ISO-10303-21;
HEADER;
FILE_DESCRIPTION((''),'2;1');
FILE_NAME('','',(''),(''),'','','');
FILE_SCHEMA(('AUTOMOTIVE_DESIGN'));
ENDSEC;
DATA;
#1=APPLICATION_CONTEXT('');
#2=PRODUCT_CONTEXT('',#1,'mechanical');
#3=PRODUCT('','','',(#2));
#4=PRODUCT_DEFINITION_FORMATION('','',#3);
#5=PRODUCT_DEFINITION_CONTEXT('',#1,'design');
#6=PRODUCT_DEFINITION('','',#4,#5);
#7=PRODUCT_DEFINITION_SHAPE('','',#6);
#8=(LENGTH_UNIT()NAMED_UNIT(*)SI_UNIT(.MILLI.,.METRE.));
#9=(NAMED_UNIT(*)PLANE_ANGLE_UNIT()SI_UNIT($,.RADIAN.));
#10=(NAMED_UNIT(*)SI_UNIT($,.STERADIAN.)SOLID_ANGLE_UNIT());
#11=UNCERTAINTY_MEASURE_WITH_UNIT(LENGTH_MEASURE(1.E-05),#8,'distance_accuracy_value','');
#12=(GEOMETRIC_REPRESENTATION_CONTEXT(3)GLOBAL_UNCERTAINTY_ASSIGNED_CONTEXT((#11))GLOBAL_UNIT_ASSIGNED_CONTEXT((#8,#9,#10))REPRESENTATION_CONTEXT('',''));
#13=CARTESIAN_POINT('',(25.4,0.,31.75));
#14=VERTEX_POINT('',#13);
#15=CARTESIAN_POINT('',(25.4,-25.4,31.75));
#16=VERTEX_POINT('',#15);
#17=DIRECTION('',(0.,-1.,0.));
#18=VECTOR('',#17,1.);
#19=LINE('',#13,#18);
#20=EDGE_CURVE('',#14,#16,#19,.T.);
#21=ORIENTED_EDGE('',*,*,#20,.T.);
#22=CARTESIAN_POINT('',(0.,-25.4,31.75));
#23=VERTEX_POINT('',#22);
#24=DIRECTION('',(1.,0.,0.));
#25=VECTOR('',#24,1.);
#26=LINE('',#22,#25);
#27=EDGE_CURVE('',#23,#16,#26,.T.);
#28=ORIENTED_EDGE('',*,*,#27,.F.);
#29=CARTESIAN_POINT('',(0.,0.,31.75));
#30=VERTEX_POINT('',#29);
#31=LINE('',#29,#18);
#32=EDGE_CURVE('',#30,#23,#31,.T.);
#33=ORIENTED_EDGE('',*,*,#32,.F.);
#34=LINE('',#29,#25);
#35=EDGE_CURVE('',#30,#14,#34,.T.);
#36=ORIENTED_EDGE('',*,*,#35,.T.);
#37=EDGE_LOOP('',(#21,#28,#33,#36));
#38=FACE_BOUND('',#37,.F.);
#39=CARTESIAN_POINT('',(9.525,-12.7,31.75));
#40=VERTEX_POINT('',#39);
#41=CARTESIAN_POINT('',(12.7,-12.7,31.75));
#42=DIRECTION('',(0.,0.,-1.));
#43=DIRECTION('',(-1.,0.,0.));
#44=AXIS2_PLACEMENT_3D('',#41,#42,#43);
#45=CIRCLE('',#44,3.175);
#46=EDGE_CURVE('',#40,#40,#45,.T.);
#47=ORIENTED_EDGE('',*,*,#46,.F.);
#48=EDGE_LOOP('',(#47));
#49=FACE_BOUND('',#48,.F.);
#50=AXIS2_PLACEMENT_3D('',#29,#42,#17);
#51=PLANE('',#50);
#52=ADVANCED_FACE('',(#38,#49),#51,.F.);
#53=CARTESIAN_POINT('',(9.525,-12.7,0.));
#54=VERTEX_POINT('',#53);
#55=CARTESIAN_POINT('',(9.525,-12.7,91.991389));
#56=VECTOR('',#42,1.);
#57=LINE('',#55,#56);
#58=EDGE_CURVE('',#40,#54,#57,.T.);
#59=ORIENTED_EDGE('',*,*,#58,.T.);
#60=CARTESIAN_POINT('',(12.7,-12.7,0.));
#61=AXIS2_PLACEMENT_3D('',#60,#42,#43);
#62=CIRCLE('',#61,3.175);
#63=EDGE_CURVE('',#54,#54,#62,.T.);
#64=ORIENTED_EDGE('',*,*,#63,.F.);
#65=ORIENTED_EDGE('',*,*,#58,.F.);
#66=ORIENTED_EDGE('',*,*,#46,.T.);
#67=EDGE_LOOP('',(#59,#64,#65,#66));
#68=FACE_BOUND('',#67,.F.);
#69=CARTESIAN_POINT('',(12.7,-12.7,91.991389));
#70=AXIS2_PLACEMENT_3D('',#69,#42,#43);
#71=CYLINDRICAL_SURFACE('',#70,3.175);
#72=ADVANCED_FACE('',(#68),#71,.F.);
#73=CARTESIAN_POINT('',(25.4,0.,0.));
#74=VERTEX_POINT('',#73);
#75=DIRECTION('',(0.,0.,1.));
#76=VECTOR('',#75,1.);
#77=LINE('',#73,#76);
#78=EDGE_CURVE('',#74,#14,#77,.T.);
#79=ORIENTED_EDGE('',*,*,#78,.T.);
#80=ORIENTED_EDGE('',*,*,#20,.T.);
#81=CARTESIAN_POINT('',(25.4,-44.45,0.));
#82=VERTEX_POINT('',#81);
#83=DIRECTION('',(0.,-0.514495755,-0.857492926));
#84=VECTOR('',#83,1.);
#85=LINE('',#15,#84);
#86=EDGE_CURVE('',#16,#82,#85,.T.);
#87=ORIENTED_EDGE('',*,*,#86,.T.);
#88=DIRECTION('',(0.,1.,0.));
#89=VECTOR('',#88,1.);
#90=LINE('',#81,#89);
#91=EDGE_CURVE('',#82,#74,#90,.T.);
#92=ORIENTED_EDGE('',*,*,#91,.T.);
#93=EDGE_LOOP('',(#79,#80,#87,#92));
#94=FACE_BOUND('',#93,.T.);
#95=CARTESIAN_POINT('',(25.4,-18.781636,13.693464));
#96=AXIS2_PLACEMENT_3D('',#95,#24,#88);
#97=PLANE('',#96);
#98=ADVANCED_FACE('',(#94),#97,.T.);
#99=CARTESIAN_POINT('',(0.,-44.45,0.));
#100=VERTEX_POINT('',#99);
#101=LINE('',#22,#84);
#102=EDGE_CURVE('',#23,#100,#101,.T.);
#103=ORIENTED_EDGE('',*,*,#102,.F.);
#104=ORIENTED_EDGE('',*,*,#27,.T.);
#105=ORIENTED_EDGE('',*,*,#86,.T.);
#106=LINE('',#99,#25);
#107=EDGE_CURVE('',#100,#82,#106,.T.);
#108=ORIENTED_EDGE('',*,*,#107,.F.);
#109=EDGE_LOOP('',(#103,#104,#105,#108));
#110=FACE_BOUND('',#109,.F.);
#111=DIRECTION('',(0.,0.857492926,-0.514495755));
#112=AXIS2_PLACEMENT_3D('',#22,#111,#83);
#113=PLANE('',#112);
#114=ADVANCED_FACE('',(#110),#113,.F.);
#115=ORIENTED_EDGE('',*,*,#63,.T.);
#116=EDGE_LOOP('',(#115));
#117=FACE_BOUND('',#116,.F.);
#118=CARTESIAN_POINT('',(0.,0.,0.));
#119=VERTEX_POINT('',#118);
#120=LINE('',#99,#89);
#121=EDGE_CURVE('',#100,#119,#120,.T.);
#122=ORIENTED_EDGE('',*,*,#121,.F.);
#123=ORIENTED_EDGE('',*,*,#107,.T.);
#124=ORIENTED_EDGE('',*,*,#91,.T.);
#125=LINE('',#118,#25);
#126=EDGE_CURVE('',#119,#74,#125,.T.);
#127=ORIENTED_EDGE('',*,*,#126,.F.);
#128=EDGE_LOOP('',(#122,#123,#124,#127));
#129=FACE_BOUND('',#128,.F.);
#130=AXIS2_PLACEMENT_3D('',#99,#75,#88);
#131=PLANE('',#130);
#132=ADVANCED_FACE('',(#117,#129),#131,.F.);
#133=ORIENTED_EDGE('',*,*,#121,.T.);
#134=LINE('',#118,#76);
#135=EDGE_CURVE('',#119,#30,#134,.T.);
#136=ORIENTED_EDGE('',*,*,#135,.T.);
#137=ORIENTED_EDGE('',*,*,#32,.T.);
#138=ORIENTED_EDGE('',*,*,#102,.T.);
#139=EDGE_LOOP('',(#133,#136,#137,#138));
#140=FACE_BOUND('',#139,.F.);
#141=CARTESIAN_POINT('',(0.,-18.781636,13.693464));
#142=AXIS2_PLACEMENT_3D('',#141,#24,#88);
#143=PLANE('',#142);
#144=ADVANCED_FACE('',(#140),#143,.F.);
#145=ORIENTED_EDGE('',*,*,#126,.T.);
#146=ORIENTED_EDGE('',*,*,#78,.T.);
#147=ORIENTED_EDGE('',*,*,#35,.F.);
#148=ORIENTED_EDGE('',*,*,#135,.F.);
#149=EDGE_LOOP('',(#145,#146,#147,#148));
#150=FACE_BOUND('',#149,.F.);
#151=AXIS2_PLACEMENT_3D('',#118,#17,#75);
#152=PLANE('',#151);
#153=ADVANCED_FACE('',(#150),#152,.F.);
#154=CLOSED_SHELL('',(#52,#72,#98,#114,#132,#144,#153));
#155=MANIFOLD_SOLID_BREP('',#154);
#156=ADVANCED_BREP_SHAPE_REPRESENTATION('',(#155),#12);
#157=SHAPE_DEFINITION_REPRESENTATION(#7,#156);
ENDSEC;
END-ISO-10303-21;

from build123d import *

# Parameters (mm, degrees)
F1_DEPTH = 25.4
F3_D     = 6.35


with BuildPart() as f1:
    # F0 (on Right) → F1 (new body)
    with BuildSketch(Plane.YZ):
        Polygon((-44.45, 0), (0, 0), (0, 31.75), (-25.4, 31.75), align=None)
    extrude(amount=F1_DEPTH)

    # F3 (through all)
    with Locations(Plane.XY.offset(31.75)):
        with Locations((12.7, -12.7)):
            Hole(F3_D / 2)


solid = f1.part
